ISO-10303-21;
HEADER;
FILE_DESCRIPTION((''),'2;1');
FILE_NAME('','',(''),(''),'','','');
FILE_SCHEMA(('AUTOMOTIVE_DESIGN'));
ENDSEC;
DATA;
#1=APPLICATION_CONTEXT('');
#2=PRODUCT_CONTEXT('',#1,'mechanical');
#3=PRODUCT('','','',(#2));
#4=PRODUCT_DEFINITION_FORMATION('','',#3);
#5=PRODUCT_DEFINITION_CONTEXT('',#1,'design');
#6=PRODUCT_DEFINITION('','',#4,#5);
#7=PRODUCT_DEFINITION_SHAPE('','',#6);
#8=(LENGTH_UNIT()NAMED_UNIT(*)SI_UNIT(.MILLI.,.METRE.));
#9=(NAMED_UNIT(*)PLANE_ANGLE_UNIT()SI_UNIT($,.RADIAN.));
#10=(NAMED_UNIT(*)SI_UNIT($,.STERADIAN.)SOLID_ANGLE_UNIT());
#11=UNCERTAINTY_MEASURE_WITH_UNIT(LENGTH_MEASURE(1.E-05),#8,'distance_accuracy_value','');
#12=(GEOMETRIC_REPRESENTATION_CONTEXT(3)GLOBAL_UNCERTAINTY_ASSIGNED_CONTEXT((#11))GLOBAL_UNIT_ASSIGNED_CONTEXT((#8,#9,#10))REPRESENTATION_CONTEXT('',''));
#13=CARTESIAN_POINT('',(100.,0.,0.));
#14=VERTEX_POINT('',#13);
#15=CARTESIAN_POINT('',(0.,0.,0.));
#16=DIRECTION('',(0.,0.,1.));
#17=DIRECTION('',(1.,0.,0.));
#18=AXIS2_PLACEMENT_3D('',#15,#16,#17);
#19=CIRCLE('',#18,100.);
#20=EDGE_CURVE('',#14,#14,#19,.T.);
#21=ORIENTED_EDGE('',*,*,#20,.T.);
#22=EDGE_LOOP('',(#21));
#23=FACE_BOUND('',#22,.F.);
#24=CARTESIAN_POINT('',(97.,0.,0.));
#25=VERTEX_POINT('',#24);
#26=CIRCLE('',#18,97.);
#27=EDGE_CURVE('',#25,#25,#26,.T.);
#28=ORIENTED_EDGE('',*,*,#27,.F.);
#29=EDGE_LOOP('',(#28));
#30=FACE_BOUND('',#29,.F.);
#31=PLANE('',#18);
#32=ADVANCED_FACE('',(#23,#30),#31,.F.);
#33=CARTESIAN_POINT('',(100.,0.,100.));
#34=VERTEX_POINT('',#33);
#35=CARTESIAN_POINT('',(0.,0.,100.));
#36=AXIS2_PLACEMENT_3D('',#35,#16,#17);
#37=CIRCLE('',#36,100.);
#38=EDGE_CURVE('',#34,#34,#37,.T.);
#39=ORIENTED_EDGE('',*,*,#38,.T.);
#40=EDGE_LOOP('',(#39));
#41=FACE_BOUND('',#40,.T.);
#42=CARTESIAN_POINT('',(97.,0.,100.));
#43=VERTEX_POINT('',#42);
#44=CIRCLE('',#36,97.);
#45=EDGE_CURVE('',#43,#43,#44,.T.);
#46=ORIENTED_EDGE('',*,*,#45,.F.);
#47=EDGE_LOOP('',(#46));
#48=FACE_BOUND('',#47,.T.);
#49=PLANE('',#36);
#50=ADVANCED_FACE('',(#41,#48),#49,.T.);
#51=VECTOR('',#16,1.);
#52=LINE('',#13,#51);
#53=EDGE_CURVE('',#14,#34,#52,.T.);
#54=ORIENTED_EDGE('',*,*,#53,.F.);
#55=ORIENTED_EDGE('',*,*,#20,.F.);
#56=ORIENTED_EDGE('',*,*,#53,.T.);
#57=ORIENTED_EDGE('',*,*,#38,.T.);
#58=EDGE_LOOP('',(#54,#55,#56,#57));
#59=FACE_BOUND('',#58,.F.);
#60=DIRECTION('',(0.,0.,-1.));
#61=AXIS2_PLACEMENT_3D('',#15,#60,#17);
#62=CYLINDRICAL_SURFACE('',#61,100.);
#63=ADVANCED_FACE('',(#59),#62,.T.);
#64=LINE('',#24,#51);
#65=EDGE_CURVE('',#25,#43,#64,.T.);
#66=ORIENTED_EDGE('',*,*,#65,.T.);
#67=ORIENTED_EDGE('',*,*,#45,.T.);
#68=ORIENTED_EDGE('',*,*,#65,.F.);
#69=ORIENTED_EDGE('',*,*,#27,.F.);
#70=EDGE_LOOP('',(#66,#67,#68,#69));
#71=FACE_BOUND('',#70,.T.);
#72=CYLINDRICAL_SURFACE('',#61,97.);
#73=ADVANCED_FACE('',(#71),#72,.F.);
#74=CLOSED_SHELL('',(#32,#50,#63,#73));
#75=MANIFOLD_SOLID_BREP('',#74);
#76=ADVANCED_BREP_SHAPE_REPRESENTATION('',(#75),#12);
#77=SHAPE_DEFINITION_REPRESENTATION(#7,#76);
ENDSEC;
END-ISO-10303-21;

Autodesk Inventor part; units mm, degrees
ref_plane "YZ Plane" through (0, 0, 0) normal (1, 0, 0) x (0, 1, 0)
ref_plane "XZ Plane" through (0, 0, 0) normal (0, 1, 0) x (-1, 0, 0)
ref_plane "XY Plane" through (0, 0, 0) normal (0, 0, 1) x (1, 0, 0)
sketch "Sketch1" plane through (0, 0, 0) normal (0, 0, 1) x (1, 0, 0)
  circle A0 centre (0, 0) radius 100
  circle A1 centre (0, 0) radius 97
  dimension "d0" = 200
  dimension "d1" = 3
extrude "Extrusion1" add sketch "Sketch1" along normal blind 100
properties part number "TKS 3902 filter outer tube" material "Stainless Steel"
